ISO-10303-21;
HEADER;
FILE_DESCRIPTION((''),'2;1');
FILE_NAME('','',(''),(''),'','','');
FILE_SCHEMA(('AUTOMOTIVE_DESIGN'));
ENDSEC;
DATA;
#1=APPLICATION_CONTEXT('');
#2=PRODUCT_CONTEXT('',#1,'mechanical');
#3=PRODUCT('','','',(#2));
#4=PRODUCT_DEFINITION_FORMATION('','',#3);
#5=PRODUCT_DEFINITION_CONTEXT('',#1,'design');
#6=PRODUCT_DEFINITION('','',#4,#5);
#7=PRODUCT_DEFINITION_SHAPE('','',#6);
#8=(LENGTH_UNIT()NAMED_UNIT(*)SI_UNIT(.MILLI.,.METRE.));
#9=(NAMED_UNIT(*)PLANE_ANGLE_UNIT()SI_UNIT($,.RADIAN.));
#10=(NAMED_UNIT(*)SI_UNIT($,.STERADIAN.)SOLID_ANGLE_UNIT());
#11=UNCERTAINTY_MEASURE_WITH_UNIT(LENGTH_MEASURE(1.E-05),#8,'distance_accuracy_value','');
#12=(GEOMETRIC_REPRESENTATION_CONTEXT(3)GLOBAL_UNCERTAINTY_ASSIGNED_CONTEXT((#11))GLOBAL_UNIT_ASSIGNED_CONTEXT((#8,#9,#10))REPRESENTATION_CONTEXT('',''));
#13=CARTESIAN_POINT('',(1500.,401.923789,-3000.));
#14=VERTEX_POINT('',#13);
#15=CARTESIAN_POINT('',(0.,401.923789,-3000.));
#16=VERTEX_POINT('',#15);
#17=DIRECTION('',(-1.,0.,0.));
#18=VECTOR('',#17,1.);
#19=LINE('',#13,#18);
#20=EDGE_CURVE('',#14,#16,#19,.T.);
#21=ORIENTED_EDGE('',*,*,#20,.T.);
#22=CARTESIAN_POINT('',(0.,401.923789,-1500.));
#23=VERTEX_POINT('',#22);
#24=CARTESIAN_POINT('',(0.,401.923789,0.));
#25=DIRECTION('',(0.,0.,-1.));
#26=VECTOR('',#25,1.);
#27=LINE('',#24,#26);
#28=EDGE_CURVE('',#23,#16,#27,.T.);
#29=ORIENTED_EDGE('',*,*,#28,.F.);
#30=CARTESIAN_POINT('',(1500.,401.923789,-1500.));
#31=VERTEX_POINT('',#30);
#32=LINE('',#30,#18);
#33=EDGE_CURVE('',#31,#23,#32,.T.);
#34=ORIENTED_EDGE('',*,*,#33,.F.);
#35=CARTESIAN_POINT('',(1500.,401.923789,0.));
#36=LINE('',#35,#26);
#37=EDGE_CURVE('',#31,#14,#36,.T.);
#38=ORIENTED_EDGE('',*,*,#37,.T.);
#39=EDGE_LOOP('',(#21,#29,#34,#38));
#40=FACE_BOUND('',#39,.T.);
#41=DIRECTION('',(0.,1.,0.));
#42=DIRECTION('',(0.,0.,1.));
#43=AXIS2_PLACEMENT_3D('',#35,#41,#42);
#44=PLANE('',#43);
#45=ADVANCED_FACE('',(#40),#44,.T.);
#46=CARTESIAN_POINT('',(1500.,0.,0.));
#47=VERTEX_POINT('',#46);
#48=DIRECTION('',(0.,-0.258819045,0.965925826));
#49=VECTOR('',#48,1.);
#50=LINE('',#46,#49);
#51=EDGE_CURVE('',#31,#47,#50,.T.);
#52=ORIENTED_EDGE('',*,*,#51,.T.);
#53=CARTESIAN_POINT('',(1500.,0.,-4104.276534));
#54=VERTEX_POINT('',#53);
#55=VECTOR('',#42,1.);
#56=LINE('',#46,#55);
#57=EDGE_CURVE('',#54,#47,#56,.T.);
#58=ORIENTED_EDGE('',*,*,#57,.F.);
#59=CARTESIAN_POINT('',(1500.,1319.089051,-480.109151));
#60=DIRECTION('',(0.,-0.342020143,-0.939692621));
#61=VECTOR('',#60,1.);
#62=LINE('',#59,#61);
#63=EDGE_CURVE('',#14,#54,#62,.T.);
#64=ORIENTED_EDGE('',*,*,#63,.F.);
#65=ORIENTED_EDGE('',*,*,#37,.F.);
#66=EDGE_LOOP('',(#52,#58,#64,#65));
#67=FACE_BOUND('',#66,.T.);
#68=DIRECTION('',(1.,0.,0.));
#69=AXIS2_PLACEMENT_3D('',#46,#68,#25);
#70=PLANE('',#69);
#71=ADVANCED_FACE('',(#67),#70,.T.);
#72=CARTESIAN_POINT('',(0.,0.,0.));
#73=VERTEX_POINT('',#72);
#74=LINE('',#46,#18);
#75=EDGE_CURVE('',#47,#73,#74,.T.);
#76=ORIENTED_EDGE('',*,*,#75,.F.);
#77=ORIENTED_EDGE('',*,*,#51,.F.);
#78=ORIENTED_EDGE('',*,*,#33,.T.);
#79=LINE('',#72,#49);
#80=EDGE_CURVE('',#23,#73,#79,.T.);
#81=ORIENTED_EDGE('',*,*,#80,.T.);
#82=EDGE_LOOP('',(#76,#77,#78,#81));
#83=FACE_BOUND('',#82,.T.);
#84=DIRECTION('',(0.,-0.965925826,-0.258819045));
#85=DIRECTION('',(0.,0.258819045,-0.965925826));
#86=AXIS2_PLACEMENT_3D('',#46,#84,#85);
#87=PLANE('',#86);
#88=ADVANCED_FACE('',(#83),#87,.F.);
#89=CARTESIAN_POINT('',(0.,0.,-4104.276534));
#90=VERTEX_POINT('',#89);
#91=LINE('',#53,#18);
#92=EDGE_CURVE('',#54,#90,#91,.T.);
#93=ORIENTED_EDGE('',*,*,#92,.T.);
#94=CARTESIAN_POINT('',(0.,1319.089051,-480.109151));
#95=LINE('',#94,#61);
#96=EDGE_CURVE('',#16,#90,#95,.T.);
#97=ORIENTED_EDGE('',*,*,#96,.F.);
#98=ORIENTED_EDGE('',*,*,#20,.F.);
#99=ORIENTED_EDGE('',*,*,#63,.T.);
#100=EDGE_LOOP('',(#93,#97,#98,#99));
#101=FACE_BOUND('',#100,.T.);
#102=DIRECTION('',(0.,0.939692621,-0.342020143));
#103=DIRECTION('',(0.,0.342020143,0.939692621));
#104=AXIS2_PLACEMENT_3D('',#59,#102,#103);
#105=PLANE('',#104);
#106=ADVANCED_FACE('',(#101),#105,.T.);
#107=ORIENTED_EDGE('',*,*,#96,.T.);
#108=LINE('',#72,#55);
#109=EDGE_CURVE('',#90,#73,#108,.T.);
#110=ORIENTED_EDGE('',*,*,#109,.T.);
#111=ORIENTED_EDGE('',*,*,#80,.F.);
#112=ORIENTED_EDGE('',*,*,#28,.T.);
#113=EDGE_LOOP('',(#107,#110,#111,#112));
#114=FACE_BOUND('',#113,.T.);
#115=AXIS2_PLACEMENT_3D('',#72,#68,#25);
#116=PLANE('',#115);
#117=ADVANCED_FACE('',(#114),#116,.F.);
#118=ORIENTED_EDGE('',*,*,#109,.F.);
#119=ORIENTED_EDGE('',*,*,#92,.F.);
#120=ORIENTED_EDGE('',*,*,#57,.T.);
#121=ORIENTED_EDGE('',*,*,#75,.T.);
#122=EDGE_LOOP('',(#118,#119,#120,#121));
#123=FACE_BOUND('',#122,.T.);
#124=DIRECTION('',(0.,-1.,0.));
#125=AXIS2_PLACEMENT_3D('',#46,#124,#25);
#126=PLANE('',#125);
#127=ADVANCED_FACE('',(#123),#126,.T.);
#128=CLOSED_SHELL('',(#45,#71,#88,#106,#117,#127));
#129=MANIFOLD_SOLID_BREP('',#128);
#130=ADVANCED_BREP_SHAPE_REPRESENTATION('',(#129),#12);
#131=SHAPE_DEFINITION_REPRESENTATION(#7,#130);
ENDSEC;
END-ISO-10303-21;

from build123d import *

# Parameters (mm, degrees)
EXTRUDE_1_DEPTH = 1500


with BuildPart() as part:
    # 草图1 → 凸台-拉伸1 (new body)
    with BuildSketch(Plane(origin=(0, 0, 0), x_dir=(0, 0, -1), z_dir=(1, 0, 0))):
        Polygon((4104.276533648, 0), (1500, 0), (1500, 401.923788647), (3000, 401.923788647), align=None)
        Polygon((1500, 0), (1500, 401.923788647), (0, 0), align=None)
    extrude(amount=EXTRUDE_1_DEPTH)


solid = part.part
